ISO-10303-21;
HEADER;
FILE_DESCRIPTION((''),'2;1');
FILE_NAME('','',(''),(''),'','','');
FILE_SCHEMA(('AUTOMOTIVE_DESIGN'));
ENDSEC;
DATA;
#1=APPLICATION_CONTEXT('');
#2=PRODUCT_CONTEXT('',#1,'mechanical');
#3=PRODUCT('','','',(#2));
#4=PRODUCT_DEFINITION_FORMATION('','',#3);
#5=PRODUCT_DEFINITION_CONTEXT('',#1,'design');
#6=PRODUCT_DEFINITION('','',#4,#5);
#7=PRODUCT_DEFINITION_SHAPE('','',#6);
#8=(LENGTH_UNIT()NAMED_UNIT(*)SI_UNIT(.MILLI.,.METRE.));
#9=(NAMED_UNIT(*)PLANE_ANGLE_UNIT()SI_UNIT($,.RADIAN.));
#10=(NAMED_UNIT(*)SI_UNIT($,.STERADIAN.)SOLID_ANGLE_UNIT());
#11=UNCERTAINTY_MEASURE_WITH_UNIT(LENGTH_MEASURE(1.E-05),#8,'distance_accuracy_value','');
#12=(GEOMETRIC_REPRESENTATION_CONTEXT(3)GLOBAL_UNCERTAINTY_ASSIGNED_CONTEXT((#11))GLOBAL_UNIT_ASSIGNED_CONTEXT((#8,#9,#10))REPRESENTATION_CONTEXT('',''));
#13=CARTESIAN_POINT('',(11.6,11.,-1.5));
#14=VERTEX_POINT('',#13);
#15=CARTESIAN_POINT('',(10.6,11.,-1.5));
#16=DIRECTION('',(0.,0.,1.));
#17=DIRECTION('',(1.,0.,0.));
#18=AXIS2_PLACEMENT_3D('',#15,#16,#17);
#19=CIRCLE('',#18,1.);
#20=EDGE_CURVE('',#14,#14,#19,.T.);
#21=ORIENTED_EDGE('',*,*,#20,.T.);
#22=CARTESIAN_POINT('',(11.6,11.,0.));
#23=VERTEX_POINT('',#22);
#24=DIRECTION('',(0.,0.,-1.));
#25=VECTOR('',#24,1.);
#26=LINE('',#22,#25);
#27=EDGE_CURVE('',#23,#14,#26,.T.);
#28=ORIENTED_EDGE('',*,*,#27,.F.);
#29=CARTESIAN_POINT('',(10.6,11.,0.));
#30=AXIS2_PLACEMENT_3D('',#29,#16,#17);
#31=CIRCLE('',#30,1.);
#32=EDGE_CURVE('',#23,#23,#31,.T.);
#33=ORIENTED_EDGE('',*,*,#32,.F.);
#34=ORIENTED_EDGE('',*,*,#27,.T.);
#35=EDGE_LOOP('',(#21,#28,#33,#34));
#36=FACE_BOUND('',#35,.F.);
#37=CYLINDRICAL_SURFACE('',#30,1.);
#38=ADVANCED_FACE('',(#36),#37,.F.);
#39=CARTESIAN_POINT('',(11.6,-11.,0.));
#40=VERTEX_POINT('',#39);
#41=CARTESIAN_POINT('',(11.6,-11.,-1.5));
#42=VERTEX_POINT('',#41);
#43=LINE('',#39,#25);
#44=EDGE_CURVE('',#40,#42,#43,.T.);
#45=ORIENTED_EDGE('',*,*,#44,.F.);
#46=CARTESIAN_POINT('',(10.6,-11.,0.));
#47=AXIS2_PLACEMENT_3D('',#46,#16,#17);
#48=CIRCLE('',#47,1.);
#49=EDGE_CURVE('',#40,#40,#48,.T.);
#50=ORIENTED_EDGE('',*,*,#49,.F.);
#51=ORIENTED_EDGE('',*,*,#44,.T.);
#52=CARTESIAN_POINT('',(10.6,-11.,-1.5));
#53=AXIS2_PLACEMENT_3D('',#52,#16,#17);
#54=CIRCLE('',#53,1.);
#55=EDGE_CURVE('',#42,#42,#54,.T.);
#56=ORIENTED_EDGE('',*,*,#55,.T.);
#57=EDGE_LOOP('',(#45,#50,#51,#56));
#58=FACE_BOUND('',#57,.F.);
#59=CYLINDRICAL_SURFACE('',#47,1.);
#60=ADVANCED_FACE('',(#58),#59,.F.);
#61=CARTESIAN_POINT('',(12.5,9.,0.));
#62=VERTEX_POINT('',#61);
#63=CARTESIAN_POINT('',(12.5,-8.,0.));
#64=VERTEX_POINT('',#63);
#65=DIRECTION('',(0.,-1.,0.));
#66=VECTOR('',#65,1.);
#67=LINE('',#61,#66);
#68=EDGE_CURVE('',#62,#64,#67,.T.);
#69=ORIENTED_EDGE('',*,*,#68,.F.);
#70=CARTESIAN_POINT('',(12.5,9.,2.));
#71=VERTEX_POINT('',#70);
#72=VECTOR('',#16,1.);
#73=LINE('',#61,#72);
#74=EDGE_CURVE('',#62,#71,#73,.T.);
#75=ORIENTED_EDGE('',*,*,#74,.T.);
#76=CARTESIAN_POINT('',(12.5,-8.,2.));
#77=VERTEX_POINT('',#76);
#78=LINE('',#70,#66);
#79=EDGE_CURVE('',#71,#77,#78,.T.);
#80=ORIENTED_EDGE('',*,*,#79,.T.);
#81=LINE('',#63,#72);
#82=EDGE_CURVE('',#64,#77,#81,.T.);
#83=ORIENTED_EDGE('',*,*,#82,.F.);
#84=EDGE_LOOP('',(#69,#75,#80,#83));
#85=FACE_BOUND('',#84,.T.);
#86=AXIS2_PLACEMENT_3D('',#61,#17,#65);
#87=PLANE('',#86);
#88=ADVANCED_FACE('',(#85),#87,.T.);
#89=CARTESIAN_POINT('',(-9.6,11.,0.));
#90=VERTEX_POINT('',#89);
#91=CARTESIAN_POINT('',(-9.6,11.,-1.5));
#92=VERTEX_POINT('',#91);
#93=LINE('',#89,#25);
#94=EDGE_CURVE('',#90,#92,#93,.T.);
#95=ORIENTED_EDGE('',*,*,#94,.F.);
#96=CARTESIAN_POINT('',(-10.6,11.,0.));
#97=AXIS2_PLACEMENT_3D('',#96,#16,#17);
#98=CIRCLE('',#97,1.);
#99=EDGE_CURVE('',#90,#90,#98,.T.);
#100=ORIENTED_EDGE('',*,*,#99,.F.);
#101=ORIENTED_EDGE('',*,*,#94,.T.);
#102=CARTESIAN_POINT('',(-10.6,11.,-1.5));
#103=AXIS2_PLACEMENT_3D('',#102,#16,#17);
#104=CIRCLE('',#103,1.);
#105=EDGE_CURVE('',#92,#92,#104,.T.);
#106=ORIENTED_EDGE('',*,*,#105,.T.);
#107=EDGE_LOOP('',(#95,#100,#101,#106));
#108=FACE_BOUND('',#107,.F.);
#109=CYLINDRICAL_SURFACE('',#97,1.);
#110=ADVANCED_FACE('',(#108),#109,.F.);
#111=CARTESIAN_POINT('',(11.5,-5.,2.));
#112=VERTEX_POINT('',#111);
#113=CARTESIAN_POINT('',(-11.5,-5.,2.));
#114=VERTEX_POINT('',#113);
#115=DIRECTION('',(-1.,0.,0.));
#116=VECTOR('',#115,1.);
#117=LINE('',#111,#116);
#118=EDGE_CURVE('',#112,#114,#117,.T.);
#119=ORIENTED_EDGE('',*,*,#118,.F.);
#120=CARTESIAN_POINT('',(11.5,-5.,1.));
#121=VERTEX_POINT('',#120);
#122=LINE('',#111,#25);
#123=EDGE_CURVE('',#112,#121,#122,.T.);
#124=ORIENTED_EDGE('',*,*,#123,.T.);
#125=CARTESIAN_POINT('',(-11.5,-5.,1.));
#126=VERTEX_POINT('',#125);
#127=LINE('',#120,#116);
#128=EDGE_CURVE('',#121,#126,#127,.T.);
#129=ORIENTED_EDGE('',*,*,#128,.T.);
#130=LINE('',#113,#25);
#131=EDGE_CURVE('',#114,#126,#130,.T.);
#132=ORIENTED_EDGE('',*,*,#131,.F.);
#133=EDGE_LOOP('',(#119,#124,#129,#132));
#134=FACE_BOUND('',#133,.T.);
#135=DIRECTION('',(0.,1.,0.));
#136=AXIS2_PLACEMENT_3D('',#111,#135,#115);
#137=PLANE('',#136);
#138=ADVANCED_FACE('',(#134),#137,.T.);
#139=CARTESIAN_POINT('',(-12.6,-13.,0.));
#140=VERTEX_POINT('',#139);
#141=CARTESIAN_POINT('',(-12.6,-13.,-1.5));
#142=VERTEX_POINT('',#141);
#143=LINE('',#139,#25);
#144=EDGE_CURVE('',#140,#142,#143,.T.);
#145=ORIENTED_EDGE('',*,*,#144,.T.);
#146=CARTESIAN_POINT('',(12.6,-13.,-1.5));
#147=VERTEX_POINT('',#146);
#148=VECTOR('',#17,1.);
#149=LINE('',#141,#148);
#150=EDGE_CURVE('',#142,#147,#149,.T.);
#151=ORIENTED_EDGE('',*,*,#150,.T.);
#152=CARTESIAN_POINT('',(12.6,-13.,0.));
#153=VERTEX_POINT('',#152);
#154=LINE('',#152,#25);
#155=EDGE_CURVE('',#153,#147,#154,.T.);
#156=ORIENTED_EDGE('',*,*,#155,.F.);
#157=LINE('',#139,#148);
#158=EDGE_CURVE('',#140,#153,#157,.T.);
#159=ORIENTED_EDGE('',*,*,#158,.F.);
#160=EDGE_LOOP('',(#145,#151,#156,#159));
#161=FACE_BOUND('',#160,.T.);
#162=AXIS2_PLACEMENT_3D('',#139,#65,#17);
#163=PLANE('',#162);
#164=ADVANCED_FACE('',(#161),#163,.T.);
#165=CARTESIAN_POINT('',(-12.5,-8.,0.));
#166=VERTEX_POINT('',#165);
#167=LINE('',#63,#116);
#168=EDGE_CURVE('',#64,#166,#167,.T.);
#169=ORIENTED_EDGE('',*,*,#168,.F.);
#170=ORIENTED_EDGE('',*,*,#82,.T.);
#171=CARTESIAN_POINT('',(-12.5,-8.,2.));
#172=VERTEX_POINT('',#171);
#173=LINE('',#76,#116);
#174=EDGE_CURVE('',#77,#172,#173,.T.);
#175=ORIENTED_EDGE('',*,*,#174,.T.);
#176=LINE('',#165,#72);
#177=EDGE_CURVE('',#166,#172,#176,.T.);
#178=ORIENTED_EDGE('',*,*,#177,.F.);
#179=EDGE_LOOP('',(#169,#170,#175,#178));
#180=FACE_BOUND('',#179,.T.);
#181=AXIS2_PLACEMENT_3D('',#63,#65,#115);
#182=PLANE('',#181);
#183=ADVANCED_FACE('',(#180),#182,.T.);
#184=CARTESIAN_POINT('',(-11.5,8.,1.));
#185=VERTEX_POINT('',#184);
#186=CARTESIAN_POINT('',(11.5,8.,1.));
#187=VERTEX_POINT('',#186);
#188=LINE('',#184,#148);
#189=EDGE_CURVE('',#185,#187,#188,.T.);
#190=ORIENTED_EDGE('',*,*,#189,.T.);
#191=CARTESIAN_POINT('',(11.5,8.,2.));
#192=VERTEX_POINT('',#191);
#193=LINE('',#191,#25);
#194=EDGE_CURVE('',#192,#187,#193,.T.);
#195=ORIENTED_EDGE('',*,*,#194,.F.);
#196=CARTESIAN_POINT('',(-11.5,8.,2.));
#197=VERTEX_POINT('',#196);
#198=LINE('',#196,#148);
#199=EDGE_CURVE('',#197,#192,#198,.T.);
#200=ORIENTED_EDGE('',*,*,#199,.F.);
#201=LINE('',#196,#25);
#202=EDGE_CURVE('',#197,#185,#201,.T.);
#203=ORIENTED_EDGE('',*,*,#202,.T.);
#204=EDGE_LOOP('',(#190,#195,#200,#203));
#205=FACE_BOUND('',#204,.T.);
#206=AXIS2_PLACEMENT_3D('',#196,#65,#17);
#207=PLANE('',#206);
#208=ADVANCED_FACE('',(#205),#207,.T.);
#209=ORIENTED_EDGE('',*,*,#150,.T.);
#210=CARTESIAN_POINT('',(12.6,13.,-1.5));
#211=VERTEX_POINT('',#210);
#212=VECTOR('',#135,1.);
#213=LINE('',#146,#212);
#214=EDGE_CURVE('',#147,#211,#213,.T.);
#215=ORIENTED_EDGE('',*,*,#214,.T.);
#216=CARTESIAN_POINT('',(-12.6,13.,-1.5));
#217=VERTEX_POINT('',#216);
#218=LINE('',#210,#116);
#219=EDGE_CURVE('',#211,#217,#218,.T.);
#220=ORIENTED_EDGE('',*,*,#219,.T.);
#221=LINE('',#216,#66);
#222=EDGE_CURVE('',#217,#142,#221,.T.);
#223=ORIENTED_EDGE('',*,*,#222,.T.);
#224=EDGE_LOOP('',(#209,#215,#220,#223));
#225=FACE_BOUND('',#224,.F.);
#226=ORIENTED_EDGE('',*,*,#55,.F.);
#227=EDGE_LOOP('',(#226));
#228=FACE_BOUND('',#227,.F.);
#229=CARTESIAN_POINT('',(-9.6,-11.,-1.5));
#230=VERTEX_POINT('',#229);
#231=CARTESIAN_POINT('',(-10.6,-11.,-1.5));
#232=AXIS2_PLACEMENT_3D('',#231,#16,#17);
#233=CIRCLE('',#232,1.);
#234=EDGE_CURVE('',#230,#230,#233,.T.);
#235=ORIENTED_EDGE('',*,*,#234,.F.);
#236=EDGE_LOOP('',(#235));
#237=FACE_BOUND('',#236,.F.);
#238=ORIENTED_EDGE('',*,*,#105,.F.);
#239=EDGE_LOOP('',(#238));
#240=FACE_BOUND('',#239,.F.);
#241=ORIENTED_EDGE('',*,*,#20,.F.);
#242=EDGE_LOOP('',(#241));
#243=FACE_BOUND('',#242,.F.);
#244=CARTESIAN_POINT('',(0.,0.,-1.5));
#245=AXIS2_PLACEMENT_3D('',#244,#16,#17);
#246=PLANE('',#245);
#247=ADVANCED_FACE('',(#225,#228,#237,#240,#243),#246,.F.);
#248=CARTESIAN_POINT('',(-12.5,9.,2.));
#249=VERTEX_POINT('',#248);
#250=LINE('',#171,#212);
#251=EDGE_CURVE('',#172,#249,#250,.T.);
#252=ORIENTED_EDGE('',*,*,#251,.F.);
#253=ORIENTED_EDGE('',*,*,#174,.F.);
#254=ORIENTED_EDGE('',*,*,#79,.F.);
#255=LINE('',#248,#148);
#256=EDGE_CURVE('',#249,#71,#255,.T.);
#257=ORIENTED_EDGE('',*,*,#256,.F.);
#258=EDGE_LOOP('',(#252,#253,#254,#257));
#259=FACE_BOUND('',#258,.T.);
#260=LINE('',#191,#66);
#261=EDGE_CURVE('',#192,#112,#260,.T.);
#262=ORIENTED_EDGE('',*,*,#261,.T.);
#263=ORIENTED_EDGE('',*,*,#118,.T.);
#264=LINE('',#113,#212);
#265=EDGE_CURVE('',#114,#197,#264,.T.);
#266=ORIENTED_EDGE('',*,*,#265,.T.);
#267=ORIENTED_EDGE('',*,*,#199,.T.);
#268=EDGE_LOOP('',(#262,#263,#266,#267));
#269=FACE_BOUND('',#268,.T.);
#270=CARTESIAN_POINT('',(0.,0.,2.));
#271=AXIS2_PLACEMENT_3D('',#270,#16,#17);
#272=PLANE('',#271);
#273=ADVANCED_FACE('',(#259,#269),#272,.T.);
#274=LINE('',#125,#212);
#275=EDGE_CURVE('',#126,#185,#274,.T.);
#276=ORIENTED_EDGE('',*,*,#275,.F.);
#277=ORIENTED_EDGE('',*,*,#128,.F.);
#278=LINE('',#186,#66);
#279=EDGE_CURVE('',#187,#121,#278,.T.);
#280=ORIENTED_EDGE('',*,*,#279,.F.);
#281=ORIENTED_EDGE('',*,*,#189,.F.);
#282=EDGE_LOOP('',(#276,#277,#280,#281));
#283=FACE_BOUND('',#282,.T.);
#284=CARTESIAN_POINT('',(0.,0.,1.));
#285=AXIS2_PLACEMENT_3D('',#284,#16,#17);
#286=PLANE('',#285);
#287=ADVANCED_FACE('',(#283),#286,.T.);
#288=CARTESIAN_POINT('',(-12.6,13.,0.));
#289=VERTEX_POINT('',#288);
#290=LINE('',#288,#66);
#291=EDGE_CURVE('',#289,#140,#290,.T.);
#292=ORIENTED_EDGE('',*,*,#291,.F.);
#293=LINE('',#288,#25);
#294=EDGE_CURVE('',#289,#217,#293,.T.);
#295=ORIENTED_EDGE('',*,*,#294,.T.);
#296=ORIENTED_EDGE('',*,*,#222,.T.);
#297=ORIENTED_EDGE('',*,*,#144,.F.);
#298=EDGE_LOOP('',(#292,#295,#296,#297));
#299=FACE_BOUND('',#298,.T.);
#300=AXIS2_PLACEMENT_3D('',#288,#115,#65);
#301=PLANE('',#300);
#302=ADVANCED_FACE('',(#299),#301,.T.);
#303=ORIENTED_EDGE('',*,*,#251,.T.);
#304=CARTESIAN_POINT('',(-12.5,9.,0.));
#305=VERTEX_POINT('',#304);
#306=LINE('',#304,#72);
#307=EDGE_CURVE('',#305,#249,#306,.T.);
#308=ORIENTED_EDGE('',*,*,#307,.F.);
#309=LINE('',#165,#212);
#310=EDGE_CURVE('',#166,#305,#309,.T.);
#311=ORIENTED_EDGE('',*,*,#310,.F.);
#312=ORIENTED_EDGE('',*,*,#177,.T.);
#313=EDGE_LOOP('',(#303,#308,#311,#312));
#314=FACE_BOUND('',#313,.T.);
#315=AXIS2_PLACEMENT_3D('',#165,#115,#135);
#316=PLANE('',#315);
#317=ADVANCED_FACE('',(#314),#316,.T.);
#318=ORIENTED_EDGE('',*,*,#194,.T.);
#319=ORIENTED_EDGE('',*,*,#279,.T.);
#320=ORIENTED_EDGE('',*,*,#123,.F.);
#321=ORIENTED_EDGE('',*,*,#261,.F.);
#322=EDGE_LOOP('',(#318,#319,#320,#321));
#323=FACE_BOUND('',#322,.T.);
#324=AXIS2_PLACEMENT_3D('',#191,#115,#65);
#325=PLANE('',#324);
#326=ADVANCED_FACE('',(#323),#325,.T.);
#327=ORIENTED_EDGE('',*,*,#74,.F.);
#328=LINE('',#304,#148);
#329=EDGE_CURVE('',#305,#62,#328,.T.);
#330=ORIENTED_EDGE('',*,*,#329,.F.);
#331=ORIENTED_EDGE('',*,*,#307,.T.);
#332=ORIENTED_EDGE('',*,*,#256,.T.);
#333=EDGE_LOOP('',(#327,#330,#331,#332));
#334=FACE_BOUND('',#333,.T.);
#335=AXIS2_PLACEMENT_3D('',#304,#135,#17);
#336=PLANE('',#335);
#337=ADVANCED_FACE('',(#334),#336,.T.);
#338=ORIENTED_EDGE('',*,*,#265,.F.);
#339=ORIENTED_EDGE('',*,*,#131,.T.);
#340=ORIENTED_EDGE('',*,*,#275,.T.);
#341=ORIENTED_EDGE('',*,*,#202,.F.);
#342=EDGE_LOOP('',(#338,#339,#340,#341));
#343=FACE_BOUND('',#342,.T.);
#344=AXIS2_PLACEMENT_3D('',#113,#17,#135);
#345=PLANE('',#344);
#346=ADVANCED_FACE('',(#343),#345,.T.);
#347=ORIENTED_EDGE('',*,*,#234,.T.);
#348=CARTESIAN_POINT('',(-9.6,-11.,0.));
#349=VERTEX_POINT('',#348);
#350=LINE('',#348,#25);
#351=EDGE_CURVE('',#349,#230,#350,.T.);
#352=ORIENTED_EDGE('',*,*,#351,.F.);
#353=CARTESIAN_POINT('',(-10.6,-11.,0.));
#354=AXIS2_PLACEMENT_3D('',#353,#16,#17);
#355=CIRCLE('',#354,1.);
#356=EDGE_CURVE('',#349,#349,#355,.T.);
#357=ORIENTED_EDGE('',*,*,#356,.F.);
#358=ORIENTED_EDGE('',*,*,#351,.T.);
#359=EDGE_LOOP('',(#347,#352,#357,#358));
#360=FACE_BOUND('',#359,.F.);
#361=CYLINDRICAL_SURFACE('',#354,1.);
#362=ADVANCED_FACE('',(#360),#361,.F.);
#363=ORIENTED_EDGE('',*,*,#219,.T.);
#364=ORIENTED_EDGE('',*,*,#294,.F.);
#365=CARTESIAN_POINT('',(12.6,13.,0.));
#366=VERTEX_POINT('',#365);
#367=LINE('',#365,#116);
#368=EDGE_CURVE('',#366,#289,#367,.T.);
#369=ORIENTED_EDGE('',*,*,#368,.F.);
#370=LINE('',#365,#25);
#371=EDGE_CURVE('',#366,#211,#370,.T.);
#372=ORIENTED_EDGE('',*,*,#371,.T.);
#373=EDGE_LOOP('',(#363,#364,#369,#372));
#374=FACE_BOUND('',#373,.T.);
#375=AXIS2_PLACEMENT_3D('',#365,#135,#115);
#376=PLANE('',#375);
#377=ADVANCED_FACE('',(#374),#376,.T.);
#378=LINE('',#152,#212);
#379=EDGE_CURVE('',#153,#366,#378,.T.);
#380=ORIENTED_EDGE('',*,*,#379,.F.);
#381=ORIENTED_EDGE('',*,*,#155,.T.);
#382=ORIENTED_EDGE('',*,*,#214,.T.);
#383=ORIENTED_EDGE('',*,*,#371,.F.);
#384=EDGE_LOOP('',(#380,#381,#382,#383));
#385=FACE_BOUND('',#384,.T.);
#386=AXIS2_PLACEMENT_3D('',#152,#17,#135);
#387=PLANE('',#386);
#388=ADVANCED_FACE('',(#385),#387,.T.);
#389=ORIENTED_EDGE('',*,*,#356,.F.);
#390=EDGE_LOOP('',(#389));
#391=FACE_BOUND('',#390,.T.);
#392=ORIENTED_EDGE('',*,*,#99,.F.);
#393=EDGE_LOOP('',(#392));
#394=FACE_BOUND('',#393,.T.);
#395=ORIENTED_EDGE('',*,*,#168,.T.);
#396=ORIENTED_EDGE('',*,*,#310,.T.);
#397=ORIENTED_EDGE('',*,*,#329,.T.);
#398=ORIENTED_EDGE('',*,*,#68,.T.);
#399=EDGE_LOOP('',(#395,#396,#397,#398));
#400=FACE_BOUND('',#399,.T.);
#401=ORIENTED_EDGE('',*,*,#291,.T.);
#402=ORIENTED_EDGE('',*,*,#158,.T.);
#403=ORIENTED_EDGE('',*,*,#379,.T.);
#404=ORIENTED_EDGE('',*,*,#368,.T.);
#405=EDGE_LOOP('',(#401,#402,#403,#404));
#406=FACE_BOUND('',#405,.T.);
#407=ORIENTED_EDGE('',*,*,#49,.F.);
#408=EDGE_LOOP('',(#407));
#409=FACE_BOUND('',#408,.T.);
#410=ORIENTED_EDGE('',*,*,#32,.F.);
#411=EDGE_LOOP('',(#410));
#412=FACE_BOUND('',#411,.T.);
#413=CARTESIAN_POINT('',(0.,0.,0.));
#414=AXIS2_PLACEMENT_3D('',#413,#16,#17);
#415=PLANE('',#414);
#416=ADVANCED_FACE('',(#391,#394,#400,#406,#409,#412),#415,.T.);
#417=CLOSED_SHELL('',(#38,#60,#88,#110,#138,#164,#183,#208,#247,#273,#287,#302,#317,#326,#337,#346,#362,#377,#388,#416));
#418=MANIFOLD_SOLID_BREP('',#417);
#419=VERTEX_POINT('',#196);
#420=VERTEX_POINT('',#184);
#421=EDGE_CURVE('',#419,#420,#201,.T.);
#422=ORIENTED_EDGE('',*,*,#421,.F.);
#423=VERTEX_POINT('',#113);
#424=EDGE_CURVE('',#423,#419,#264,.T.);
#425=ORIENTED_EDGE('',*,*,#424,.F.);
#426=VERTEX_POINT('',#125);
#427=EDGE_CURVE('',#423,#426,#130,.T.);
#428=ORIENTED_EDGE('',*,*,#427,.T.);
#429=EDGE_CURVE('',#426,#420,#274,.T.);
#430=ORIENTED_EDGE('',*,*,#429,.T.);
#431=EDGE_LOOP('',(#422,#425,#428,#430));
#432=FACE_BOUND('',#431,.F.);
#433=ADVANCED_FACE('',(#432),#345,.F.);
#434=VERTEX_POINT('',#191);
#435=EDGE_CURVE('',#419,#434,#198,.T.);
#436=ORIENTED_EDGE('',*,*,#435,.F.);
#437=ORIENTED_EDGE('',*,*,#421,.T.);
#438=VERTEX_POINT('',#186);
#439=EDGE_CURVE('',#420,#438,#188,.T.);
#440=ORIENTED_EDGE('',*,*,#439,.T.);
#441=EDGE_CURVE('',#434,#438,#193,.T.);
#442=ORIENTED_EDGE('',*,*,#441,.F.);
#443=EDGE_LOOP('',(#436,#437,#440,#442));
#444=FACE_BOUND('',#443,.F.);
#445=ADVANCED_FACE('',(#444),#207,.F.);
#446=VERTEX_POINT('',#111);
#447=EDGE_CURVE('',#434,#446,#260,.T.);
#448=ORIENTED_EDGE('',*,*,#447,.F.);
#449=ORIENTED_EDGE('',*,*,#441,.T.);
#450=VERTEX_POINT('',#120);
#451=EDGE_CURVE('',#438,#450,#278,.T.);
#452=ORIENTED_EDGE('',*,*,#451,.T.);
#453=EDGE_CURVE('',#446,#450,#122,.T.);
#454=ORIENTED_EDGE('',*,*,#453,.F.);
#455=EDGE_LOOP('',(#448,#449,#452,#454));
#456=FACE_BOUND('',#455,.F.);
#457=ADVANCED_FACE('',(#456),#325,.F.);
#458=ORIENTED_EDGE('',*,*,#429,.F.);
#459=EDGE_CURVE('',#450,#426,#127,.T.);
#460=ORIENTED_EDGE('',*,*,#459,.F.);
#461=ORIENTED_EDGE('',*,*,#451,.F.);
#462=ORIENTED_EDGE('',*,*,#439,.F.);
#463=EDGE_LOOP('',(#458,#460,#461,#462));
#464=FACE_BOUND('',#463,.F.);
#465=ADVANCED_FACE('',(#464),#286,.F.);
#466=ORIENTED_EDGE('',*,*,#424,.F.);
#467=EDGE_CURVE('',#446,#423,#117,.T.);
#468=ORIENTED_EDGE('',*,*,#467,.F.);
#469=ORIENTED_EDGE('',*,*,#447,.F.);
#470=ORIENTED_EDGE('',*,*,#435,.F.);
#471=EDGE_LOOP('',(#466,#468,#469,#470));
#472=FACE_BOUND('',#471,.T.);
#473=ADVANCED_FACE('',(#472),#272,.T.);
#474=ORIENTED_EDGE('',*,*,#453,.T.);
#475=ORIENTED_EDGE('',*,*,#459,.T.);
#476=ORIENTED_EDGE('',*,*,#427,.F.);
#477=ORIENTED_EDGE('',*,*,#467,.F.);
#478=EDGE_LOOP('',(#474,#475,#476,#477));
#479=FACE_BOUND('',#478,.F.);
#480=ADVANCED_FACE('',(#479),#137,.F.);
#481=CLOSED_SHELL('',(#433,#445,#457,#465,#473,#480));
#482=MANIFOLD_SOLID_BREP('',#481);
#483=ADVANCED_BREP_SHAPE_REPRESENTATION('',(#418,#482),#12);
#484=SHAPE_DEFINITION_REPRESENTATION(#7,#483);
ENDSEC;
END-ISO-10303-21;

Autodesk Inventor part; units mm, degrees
ref_plane "YZ Plane" through (0, 0, 0) normal (1, 0, 0) x (0, 1, 0)
ref_plane "XZ Plane" through (0, 0, 0) normal (0, 1, 0) x (-1, 0, 0)
ref_plane "XY Plane" through (0, 0, 0) normal (0, 0, 1) x (1, 0, 0)
sketch "Эскиз1" plane through (0, 0, 0) normal (0, 0, 1) x (1, 0, 0)
  line L0 (-12.6, -13) -> (12.6, -13)
  line L1 (12.6, -13) -> (12.6, 13)
  line L2 (12.6, 13) -> (-12.6, 13)
  line L3 (-12.6, 13) -> (-12.6, -13)
  line L4 (-12.6, -13) -> (12.6, 13) construction
  line L5 (12.6, -13) -> (-12.6, 13) construction
  circle A0 centre (-10.6, 11) radius 1
  circle A1 centre (10.6, 11) radius 1
  circle A2 centre (10.6, -11) radius 1
  circle A3 centre (-10.6, -11) radius 1
  line L6 (12.5, -8) -> (-12.5, -8)
  line L7 (-12.5, -8) -> (-12.5, 9)
  line L8 (-12.5, 9) -> (12.5, 9)
  line L9 (12.5, 9) -> (12.5, -8)
  point P0 (0, 0)
  point P1 (0, -8)
  point P2 (0, 0)
  dimension "d0" = 25.2
  dimension "d1" = 26
  dimension "d4" = 2
  dimension "d13" = 2
  dimension "d14" = 2
  dimension "d15" = 2
  dimension "d16" = 2
  dimension "d17" = 2
  dimension "d18" = 2
  dimension "d19" = 2
  dimension "d20" = 2
  dimension "d25" = 25
  dimension "d26" = 17
  dimension "d29" = 5
extrude "Выдавливание1" add sketch "Эскиз1" against normal blind 1.5 contours L3 L2 L1 L0 | L6 L7 L8 L9
extrude "Выдавливание2" add sketch "Эскиз1" along normal blind 2 contours L6 L7 L8 L9
sketch "Эскиз2" plane through (0, 0, 2) normal (0, 0, 1) x (1, 0, 0)
  line L0 (-11.5, 8) -> (11.5, 8)
  line L1 (11.5, 8) -> (11.5, -5)
  line L2 (11.5, -5) -> (-11.5, -5)
  line L3 (-11.5, -5) -> (-11.5, 8)
  line L4 (12.5, 9) -> (-12.5, 9) projected
  line L5 (-12.5, -8) -> (12.5, -8) projected
  point P0 (0, 0)
  point P1 (0, 8)
  point P2 (0, 9)
  point P3 (11.5, 1.5)
  point P4 (0, 9)
  dimension "d30" = 13
  dimension "d31" = 23
  dimension "d36" = 3
extrude "Выдавливание3" cut sketch "Эскиз2" against normal blind 1
extrude "Выдавливание4" add sketch "Эскиз2" against normal blind 1 separate body
properties part number "Дисплей"
